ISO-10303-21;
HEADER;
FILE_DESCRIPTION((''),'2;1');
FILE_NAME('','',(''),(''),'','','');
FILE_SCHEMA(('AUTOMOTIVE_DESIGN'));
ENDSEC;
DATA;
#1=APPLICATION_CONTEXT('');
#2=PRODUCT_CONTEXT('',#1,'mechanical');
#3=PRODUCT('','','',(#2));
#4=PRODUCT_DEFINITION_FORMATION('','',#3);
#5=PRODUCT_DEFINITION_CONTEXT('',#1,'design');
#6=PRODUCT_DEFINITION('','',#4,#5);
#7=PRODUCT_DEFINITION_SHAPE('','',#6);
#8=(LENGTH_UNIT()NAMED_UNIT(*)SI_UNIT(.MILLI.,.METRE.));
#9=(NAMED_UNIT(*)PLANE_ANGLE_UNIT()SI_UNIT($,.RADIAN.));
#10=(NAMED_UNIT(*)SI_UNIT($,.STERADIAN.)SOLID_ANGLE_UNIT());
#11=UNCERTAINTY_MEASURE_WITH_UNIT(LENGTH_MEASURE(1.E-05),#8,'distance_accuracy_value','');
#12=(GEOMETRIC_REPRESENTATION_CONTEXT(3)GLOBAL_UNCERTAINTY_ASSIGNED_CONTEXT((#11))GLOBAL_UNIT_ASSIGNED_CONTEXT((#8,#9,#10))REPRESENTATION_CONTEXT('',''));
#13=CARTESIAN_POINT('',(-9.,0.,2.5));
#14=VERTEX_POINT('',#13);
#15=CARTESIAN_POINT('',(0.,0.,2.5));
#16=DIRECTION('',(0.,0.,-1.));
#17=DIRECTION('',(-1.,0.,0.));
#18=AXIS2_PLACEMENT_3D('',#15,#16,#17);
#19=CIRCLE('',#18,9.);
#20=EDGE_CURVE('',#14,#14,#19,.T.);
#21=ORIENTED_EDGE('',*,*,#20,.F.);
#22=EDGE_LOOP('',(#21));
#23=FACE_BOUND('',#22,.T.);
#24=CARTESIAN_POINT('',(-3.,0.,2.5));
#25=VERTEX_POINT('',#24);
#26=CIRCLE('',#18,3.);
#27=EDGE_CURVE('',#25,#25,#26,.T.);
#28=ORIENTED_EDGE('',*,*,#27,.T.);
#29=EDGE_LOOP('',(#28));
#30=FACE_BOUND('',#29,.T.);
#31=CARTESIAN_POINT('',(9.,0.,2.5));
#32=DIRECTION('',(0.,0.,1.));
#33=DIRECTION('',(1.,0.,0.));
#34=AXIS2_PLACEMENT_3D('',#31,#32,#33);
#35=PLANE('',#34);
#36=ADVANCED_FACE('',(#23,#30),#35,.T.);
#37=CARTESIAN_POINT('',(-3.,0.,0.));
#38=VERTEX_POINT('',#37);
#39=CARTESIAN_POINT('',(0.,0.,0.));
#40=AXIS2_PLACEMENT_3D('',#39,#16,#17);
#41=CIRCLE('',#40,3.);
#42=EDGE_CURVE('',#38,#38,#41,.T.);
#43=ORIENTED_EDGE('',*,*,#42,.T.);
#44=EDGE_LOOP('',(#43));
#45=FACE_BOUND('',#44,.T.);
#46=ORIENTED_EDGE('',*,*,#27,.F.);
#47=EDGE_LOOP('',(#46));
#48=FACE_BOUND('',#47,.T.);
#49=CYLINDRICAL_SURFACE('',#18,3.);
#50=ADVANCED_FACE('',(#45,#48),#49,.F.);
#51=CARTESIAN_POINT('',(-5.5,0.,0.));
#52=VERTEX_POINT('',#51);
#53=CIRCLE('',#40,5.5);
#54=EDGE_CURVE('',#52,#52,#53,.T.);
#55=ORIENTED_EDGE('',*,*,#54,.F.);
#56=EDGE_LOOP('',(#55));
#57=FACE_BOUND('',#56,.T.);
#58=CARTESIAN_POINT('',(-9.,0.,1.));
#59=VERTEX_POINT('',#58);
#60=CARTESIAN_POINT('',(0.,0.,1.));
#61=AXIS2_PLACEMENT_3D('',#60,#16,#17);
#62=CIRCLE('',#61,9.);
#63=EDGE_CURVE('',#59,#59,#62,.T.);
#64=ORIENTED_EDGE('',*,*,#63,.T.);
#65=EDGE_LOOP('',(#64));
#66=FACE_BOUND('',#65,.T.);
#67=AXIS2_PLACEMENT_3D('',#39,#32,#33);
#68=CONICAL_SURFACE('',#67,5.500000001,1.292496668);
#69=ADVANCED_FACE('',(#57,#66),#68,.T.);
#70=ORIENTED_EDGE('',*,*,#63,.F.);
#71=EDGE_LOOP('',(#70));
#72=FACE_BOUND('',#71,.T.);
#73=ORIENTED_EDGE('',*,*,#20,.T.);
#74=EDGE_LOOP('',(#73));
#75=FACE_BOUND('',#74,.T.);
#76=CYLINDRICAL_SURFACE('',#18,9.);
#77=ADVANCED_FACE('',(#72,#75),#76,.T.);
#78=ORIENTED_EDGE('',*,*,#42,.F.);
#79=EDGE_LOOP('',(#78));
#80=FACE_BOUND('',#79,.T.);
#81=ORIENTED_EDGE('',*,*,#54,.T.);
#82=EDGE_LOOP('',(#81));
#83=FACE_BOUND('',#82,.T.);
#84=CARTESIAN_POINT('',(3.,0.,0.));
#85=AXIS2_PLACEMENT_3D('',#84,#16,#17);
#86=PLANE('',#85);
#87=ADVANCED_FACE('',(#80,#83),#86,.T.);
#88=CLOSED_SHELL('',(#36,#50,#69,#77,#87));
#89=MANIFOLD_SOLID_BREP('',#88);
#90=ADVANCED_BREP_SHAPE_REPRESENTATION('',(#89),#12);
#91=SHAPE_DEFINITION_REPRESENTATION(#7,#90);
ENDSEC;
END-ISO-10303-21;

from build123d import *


with BuildPart() as part:
    # Sketch1 → Revolve1 (revolve)
    with BuildSketch(Plane.XZ):
        Polygon((5.500000001, 0), (9, 1), (9, 2.5), (3, 2.5), (3, 0), align=None)
    revolve(axis=Axis((0, 0, 2.5), (0, 0, -1)))


solid = part.part
